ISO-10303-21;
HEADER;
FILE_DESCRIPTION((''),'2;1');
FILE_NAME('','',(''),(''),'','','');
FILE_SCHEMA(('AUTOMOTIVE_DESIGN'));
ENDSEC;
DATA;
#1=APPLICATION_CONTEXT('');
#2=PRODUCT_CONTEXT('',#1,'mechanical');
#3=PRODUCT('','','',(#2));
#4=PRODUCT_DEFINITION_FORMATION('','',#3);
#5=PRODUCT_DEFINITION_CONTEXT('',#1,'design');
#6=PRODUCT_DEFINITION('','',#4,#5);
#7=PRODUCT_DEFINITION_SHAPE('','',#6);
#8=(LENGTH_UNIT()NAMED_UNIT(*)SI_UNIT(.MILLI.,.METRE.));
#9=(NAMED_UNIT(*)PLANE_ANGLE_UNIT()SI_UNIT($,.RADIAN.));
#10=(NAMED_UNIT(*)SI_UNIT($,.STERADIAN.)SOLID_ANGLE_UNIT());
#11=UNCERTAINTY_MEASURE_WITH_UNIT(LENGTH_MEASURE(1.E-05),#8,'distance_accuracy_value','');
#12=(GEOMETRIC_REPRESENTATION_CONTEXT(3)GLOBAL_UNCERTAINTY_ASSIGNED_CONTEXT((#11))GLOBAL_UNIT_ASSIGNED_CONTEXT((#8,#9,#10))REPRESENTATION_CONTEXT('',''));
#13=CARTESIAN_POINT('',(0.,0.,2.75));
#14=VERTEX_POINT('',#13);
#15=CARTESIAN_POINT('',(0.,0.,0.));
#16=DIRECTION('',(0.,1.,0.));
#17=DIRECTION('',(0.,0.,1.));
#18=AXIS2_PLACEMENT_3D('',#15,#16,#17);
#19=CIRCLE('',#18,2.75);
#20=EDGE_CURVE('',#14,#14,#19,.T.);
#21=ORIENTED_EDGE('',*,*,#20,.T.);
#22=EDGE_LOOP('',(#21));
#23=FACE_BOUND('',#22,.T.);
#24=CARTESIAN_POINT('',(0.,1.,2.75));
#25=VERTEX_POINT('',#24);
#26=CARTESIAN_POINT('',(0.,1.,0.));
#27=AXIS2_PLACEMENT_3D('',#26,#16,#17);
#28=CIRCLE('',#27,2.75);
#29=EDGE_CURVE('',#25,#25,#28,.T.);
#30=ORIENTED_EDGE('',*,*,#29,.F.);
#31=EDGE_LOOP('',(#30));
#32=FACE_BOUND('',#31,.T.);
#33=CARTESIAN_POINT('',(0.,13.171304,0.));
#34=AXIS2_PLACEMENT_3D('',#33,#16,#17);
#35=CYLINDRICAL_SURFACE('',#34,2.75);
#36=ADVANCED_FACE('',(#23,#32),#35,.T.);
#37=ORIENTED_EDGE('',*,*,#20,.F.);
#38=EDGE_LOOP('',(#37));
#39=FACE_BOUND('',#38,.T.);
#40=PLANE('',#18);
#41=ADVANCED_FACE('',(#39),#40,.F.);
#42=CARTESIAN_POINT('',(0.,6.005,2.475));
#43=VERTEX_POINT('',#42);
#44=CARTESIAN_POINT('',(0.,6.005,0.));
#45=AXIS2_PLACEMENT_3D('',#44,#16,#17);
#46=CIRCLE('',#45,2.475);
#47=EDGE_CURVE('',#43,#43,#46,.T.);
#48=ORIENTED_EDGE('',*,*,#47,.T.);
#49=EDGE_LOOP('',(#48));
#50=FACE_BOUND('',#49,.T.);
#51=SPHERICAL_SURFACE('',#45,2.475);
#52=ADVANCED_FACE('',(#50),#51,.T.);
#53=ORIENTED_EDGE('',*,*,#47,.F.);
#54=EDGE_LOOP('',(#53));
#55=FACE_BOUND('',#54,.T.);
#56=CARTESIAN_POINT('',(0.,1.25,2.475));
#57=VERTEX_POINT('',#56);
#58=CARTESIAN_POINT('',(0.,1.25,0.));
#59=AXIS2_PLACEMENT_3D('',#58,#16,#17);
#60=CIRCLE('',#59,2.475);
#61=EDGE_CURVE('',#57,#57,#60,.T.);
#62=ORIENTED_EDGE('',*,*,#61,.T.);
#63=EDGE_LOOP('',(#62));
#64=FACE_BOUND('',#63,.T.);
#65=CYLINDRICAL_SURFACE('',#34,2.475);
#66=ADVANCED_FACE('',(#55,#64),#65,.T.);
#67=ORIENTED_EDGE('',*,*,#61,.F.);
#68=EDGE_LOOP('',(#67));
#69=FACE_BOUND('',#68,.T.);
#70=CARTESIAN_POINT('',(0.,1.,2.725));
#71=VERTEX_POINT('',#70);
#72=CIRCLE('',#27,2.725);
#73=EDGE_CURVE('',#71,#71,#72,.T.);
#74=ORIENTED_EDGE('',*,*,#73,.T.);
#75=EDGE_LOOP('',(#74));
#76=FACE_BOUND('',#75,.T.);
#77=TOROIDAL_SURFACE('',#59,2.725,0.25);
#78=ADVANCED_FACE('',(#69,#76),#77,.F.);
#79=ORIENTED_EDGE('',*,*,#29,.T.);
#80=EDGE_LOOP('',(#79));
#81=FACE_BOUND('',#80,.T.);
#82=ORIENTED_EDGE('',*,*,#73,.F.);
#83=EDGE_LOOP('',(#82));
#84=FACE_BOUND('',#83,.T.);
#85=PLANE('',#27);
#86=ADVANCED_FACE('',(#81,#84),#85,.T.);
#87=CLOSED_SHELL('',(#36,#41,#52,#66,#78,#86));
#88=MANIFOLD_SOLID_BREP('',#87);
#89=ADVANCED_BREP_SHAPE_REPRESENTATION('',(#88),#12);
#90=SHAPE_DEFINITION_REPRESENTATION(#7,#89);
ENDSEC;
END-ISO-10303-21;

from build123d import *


with BuildPart() as part:
    # Sketch2 → Revolve2 (revolve)
    with BuildSketch(Plane(origin=(0, 0, 0), x_dir=(0, 0, -1), z_dir=(1, 0, 0))):
        with BuildLine():
            Line((-2.475, 6.005), (-2.475, 1.25))
            ThreePointArc((-2.475, 1.25), (-2.548223305, 1.073223305), (-2.725, 1))
            Line((-2.725, 1), (-2.75, 1))
            Line((-2.75, 1), (-2.75, 0))
            Line((-2.75, 0), (0, 0))
            Line((0, 0), (0, 1.67672724))
            Line((0, 1.67672724), (0, 8.48))
            ThreePointArc((0, 8.48), (-1.750089283, 7.755089283), (-2.475, 6.005))
        make_face()
    revolve(axis=Axis((0, 13.171303623, 0), (0, -1, 0)))


solid = part.part
